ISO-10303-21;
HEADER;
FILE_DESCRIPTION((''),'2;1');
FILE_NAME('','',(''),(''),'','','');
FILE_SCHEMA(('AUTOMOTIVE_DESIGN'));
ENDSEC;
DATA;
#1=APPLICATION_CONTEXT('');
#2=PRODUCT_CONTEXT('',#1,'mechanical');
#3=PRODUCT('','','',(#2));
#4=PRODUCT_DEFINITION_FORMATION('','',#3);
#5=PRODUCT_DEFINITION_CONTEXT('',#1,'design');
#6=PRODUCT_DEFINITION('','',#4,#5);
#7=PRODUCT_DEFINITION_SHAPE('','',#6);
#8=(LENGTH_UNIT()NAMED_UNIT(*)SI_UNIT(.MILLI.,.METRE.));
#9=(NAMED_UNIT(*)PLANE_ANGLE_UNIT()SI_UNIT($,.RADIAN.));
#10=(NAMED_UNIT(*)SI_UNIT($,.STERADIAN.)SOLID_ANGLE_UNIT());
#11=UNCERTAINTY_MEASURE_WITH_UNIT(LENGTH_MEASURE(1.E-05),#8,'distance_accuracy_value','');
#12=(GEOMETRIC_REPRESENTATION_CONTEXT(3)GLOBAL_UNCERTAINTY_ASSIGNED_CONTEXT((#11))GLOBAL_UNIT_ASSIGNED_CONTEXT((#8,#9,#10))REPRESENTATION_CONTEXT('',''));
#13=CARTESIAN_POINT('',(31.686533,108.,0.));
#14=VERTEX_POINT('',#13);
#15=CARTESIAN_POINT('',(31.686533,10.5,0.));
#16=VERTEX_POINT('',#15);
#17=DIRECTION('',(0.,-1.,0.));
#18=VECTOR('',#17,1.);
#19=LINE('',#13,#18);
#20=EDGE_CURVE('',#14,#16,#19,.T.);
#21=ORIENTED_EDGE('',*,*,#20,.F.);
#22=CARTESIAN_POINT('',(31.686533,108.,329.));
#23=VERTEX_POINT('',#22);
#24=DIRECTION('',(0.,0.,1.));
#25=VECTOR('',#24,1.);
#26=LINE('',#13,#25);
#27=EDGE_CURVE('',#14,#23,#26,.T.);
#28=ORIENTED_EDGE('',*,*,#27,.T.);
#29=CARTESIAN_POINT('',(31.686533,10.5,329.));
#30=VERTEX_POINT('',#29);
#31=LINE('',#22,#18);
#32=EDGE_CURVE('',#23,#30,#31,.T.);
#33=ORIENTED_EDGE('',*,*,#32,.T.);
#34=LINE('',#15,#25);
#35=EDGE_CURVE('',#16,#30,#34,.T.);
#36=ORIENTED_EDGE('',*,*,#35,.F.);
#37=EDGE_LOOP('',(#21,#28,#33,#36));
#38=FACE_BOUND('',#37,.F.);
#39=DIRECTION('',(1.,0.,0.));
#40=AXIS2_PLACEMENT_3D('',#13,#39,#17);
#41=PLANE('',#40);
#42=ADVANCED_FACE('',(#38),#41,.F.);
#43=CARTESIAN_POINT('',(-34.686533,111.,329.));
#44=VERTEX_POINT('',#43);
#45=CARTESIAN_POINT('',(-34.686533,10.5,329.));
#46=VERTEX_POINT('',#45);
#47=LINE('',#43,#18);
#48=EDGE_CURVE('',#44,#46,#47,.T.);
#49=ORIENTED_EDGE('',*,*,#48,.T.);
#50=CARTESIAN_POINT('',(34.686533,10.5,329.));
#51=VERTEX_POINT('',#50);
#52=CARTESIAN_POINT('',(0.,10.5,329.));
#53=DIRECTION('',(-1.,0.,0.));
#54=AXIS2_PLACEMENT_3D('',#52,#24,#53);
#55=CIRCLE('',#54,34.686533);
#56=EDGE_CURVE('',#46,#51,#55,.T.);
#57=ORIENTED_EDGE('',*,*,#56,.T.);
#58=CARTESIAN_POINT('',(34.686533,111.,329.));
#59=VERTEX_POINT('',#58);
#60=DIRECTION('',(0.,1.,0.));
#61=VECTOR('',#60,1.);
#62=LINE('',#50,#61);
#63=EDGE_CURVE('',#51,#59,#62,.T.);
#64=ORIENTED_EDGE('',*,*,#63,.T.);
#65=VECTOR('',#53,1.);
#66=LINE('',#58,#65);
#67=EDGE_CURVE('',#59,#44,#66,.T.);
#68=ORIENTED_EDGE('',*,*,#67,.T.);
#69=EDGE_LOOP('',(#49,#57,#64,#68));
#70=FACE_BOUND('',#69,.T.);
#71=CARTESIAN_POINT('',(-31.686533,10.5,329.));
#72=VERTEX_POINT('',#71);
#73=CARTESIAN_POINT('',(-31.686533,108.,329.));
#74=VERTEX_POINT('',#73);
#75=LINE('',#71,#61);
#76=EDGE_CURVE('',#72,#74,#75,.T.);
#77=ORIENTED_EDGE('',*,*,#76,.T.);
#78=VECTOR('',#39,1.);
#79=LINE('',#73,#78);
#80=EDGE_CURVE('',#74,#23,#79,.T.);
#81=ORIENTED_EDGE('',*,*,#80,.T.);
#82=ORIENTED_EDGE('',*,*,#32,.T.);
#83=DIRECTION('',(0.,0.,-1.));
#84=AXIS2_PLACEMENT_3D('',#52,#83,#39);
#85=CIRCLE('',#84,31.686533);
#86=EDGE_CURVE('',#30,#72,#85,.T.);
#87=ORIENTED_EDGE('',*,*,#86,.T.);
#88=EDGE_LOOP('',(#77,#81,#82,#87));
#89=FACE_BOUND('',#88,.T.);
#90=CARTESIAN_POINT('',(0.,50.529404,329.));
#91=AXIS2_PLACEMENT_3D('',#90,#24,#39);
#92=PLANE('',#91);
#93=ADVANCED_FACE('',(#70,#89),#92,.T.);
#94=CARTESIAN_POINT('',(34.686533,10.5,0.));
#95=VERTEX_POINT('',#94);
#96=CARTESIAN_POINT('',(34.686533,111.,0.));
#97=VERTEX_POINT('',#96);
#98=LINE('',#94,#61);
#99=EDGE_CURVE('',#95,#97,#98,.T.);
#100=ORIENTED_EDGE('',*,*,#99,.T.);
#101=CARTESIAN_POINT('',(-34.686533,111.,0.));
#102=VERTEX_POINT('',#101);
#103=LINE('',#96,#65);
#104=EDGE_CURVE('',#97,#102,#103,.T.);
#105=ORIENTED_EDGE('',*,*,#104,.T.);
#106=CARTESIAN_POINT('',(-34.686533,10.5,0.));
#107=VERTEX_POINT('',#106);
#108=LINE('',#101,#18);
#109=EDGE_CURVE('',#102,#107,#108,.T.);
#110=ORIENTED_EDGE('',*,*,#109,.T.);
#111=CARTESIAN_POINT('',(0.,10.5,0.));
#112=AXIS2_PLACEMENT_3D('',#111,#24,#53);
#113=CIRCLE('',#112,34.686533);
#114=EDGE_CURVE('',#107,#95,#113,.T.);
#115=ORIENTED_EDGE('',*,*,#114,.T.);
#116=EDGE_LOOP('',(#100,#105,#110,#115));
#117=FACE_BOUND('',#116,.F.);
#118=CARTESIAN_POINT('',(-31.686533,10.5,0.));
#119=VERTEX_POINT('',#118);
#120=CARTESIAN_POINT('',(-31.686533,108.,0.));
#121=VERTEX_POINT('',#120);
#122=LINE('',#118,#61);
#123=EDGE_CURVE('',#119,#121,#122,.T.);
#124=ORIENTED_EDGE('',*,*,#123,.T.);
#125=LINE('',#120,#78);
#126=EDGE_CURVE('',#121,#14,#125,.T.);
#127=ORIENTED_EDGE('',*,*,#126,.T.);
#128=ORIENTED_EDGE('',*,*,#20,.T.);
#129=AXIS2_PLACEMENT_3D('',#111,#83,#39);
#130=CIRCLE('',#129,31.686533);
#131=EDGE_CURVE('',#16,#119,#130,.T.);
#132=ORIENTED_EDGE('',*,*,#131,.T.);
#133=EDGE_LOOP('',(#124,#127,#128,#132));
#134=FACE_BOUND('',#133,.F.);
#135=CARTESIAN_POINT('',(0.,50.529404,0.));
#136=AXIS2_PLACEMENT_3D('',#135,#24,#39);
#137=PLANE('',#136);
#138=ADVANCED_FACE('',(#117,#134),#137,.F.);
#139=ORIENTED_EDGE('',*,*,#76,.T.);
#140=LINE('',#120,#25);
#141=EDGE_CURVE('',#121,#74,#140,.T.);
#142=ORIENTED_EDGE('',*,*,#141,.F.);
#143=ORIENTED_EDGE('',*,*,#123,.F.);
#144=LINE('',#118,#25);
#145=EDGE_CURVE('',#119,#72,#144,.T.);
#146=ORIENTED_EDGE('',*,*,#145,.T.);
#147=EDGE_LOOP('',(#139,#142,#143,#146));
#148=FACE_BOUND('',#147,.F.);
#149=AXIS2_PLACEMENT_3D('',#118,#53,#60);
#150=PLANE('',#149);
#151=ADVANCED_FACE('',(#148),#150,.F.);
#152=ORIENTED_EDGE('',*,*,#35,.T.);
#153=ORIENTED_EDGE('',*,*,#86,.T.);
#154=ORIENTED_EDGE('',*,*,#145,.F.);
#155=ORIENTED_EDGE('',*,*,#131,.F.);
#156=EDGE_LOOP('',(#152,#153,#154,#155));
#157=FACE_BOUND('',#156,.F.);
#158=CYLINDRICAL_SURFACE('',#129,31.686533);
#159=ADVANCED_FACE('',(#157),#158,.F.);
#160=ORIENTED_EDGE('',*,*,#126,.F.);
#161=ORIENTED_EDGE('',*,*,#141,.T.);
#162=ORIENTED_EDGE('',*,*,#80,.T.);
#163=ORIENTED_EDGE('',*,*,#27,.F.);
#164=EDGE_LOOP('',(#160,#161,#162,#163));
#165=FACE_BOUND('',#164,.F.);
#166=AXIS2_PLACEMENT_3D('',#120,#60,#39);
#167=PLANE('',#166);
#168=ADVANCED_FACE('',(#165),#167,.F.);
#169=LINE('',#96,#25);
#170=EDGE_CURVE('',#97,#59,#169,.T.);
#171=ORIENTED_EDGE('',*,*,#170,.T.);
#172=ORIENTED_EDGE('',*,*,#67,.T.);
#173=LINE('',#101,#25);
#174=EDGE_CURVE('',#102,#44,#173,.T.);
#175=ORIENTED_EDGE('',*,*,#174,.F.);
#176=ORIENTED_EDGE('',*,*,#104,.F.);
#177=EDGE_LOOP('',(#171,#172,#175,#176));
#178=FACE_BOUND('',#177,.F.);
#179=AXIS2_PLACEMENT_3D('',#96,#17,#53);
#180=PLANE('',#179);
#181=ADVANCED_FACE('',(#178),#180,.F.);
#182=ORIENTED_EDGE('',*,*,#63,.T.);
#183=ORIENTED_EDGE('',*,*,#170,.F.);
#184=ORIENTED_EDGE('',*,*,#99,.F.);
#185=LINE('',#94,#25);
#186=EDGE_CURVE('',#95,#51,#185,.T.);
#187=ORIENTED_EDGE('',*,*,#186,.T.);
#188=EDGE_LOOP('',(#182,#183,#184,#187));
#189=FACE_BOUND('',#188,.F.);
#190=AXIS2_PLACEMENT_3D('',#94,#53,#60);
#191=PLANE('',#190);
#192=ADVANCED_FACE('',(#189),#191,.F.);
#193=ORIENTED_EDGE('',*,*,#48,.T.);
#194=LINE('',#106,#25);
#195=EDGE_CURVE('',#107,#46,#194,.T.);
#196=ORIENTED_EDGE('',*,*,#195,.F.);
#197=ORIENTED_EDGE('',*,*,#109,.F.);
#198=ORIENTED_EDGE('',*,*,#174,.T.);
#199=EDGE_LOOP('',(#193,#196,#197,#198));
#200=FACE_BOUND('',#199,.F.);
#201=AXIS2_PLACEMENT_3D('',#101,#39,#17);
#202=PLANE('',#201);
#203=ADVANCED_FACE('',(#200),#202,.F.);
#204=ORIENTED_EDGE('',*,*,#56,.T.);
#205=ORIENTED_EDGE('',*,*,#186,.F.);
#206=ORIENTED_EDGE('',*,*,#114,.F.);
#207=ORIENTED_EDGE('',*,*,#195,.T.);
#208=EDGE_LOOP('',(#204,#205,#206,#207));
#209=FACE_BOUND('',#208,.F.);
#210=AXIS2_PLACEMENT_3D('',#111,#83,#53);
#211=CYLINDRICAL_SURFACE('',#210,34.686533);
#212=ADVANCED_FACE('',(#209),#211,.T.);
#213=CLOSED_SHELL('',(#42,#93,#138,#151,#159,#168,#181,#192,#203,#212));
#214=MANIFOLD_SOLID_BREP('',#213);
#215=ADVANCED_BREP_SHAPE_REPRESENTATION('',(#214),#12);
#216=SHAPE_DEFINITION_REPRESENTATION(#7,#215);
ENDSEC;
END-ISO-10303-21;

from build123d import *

# Parameters (mm, degrees)
F2_DEPTH = 329


with BuildPart() as f2:
    # F1 (on Top) → F2 (new body)
    with BuildSketch(Plane.XY):
        with BuildLine():
            Line((34.686533, 111), (-34.686533, 111))
            Line((-34.686533, 111), (-34.686533, 10.5))
            ThreePointArc((-34.686533, 10.5), (0, -24.186533), (34.686533, 10.5))
            Line((34.686533, 10.5), (34.686533, 111))
        make_face()
        with BuildLine():
            Line((-31.686533, 10.5), (-31.686533, 108))
            Line((-31.686533, 108), (31.686533, 108))
            Line((31.686533, 108), (31.686533, 10.5))
            ThreePointArc((31.686533, 10.5), (0, -21.186533), (-31.686533, 10.5))
        make_face(mode=Mode.SUBTRACT)
    extrude(amount=F2_DEPTH)


solid = f2.part
